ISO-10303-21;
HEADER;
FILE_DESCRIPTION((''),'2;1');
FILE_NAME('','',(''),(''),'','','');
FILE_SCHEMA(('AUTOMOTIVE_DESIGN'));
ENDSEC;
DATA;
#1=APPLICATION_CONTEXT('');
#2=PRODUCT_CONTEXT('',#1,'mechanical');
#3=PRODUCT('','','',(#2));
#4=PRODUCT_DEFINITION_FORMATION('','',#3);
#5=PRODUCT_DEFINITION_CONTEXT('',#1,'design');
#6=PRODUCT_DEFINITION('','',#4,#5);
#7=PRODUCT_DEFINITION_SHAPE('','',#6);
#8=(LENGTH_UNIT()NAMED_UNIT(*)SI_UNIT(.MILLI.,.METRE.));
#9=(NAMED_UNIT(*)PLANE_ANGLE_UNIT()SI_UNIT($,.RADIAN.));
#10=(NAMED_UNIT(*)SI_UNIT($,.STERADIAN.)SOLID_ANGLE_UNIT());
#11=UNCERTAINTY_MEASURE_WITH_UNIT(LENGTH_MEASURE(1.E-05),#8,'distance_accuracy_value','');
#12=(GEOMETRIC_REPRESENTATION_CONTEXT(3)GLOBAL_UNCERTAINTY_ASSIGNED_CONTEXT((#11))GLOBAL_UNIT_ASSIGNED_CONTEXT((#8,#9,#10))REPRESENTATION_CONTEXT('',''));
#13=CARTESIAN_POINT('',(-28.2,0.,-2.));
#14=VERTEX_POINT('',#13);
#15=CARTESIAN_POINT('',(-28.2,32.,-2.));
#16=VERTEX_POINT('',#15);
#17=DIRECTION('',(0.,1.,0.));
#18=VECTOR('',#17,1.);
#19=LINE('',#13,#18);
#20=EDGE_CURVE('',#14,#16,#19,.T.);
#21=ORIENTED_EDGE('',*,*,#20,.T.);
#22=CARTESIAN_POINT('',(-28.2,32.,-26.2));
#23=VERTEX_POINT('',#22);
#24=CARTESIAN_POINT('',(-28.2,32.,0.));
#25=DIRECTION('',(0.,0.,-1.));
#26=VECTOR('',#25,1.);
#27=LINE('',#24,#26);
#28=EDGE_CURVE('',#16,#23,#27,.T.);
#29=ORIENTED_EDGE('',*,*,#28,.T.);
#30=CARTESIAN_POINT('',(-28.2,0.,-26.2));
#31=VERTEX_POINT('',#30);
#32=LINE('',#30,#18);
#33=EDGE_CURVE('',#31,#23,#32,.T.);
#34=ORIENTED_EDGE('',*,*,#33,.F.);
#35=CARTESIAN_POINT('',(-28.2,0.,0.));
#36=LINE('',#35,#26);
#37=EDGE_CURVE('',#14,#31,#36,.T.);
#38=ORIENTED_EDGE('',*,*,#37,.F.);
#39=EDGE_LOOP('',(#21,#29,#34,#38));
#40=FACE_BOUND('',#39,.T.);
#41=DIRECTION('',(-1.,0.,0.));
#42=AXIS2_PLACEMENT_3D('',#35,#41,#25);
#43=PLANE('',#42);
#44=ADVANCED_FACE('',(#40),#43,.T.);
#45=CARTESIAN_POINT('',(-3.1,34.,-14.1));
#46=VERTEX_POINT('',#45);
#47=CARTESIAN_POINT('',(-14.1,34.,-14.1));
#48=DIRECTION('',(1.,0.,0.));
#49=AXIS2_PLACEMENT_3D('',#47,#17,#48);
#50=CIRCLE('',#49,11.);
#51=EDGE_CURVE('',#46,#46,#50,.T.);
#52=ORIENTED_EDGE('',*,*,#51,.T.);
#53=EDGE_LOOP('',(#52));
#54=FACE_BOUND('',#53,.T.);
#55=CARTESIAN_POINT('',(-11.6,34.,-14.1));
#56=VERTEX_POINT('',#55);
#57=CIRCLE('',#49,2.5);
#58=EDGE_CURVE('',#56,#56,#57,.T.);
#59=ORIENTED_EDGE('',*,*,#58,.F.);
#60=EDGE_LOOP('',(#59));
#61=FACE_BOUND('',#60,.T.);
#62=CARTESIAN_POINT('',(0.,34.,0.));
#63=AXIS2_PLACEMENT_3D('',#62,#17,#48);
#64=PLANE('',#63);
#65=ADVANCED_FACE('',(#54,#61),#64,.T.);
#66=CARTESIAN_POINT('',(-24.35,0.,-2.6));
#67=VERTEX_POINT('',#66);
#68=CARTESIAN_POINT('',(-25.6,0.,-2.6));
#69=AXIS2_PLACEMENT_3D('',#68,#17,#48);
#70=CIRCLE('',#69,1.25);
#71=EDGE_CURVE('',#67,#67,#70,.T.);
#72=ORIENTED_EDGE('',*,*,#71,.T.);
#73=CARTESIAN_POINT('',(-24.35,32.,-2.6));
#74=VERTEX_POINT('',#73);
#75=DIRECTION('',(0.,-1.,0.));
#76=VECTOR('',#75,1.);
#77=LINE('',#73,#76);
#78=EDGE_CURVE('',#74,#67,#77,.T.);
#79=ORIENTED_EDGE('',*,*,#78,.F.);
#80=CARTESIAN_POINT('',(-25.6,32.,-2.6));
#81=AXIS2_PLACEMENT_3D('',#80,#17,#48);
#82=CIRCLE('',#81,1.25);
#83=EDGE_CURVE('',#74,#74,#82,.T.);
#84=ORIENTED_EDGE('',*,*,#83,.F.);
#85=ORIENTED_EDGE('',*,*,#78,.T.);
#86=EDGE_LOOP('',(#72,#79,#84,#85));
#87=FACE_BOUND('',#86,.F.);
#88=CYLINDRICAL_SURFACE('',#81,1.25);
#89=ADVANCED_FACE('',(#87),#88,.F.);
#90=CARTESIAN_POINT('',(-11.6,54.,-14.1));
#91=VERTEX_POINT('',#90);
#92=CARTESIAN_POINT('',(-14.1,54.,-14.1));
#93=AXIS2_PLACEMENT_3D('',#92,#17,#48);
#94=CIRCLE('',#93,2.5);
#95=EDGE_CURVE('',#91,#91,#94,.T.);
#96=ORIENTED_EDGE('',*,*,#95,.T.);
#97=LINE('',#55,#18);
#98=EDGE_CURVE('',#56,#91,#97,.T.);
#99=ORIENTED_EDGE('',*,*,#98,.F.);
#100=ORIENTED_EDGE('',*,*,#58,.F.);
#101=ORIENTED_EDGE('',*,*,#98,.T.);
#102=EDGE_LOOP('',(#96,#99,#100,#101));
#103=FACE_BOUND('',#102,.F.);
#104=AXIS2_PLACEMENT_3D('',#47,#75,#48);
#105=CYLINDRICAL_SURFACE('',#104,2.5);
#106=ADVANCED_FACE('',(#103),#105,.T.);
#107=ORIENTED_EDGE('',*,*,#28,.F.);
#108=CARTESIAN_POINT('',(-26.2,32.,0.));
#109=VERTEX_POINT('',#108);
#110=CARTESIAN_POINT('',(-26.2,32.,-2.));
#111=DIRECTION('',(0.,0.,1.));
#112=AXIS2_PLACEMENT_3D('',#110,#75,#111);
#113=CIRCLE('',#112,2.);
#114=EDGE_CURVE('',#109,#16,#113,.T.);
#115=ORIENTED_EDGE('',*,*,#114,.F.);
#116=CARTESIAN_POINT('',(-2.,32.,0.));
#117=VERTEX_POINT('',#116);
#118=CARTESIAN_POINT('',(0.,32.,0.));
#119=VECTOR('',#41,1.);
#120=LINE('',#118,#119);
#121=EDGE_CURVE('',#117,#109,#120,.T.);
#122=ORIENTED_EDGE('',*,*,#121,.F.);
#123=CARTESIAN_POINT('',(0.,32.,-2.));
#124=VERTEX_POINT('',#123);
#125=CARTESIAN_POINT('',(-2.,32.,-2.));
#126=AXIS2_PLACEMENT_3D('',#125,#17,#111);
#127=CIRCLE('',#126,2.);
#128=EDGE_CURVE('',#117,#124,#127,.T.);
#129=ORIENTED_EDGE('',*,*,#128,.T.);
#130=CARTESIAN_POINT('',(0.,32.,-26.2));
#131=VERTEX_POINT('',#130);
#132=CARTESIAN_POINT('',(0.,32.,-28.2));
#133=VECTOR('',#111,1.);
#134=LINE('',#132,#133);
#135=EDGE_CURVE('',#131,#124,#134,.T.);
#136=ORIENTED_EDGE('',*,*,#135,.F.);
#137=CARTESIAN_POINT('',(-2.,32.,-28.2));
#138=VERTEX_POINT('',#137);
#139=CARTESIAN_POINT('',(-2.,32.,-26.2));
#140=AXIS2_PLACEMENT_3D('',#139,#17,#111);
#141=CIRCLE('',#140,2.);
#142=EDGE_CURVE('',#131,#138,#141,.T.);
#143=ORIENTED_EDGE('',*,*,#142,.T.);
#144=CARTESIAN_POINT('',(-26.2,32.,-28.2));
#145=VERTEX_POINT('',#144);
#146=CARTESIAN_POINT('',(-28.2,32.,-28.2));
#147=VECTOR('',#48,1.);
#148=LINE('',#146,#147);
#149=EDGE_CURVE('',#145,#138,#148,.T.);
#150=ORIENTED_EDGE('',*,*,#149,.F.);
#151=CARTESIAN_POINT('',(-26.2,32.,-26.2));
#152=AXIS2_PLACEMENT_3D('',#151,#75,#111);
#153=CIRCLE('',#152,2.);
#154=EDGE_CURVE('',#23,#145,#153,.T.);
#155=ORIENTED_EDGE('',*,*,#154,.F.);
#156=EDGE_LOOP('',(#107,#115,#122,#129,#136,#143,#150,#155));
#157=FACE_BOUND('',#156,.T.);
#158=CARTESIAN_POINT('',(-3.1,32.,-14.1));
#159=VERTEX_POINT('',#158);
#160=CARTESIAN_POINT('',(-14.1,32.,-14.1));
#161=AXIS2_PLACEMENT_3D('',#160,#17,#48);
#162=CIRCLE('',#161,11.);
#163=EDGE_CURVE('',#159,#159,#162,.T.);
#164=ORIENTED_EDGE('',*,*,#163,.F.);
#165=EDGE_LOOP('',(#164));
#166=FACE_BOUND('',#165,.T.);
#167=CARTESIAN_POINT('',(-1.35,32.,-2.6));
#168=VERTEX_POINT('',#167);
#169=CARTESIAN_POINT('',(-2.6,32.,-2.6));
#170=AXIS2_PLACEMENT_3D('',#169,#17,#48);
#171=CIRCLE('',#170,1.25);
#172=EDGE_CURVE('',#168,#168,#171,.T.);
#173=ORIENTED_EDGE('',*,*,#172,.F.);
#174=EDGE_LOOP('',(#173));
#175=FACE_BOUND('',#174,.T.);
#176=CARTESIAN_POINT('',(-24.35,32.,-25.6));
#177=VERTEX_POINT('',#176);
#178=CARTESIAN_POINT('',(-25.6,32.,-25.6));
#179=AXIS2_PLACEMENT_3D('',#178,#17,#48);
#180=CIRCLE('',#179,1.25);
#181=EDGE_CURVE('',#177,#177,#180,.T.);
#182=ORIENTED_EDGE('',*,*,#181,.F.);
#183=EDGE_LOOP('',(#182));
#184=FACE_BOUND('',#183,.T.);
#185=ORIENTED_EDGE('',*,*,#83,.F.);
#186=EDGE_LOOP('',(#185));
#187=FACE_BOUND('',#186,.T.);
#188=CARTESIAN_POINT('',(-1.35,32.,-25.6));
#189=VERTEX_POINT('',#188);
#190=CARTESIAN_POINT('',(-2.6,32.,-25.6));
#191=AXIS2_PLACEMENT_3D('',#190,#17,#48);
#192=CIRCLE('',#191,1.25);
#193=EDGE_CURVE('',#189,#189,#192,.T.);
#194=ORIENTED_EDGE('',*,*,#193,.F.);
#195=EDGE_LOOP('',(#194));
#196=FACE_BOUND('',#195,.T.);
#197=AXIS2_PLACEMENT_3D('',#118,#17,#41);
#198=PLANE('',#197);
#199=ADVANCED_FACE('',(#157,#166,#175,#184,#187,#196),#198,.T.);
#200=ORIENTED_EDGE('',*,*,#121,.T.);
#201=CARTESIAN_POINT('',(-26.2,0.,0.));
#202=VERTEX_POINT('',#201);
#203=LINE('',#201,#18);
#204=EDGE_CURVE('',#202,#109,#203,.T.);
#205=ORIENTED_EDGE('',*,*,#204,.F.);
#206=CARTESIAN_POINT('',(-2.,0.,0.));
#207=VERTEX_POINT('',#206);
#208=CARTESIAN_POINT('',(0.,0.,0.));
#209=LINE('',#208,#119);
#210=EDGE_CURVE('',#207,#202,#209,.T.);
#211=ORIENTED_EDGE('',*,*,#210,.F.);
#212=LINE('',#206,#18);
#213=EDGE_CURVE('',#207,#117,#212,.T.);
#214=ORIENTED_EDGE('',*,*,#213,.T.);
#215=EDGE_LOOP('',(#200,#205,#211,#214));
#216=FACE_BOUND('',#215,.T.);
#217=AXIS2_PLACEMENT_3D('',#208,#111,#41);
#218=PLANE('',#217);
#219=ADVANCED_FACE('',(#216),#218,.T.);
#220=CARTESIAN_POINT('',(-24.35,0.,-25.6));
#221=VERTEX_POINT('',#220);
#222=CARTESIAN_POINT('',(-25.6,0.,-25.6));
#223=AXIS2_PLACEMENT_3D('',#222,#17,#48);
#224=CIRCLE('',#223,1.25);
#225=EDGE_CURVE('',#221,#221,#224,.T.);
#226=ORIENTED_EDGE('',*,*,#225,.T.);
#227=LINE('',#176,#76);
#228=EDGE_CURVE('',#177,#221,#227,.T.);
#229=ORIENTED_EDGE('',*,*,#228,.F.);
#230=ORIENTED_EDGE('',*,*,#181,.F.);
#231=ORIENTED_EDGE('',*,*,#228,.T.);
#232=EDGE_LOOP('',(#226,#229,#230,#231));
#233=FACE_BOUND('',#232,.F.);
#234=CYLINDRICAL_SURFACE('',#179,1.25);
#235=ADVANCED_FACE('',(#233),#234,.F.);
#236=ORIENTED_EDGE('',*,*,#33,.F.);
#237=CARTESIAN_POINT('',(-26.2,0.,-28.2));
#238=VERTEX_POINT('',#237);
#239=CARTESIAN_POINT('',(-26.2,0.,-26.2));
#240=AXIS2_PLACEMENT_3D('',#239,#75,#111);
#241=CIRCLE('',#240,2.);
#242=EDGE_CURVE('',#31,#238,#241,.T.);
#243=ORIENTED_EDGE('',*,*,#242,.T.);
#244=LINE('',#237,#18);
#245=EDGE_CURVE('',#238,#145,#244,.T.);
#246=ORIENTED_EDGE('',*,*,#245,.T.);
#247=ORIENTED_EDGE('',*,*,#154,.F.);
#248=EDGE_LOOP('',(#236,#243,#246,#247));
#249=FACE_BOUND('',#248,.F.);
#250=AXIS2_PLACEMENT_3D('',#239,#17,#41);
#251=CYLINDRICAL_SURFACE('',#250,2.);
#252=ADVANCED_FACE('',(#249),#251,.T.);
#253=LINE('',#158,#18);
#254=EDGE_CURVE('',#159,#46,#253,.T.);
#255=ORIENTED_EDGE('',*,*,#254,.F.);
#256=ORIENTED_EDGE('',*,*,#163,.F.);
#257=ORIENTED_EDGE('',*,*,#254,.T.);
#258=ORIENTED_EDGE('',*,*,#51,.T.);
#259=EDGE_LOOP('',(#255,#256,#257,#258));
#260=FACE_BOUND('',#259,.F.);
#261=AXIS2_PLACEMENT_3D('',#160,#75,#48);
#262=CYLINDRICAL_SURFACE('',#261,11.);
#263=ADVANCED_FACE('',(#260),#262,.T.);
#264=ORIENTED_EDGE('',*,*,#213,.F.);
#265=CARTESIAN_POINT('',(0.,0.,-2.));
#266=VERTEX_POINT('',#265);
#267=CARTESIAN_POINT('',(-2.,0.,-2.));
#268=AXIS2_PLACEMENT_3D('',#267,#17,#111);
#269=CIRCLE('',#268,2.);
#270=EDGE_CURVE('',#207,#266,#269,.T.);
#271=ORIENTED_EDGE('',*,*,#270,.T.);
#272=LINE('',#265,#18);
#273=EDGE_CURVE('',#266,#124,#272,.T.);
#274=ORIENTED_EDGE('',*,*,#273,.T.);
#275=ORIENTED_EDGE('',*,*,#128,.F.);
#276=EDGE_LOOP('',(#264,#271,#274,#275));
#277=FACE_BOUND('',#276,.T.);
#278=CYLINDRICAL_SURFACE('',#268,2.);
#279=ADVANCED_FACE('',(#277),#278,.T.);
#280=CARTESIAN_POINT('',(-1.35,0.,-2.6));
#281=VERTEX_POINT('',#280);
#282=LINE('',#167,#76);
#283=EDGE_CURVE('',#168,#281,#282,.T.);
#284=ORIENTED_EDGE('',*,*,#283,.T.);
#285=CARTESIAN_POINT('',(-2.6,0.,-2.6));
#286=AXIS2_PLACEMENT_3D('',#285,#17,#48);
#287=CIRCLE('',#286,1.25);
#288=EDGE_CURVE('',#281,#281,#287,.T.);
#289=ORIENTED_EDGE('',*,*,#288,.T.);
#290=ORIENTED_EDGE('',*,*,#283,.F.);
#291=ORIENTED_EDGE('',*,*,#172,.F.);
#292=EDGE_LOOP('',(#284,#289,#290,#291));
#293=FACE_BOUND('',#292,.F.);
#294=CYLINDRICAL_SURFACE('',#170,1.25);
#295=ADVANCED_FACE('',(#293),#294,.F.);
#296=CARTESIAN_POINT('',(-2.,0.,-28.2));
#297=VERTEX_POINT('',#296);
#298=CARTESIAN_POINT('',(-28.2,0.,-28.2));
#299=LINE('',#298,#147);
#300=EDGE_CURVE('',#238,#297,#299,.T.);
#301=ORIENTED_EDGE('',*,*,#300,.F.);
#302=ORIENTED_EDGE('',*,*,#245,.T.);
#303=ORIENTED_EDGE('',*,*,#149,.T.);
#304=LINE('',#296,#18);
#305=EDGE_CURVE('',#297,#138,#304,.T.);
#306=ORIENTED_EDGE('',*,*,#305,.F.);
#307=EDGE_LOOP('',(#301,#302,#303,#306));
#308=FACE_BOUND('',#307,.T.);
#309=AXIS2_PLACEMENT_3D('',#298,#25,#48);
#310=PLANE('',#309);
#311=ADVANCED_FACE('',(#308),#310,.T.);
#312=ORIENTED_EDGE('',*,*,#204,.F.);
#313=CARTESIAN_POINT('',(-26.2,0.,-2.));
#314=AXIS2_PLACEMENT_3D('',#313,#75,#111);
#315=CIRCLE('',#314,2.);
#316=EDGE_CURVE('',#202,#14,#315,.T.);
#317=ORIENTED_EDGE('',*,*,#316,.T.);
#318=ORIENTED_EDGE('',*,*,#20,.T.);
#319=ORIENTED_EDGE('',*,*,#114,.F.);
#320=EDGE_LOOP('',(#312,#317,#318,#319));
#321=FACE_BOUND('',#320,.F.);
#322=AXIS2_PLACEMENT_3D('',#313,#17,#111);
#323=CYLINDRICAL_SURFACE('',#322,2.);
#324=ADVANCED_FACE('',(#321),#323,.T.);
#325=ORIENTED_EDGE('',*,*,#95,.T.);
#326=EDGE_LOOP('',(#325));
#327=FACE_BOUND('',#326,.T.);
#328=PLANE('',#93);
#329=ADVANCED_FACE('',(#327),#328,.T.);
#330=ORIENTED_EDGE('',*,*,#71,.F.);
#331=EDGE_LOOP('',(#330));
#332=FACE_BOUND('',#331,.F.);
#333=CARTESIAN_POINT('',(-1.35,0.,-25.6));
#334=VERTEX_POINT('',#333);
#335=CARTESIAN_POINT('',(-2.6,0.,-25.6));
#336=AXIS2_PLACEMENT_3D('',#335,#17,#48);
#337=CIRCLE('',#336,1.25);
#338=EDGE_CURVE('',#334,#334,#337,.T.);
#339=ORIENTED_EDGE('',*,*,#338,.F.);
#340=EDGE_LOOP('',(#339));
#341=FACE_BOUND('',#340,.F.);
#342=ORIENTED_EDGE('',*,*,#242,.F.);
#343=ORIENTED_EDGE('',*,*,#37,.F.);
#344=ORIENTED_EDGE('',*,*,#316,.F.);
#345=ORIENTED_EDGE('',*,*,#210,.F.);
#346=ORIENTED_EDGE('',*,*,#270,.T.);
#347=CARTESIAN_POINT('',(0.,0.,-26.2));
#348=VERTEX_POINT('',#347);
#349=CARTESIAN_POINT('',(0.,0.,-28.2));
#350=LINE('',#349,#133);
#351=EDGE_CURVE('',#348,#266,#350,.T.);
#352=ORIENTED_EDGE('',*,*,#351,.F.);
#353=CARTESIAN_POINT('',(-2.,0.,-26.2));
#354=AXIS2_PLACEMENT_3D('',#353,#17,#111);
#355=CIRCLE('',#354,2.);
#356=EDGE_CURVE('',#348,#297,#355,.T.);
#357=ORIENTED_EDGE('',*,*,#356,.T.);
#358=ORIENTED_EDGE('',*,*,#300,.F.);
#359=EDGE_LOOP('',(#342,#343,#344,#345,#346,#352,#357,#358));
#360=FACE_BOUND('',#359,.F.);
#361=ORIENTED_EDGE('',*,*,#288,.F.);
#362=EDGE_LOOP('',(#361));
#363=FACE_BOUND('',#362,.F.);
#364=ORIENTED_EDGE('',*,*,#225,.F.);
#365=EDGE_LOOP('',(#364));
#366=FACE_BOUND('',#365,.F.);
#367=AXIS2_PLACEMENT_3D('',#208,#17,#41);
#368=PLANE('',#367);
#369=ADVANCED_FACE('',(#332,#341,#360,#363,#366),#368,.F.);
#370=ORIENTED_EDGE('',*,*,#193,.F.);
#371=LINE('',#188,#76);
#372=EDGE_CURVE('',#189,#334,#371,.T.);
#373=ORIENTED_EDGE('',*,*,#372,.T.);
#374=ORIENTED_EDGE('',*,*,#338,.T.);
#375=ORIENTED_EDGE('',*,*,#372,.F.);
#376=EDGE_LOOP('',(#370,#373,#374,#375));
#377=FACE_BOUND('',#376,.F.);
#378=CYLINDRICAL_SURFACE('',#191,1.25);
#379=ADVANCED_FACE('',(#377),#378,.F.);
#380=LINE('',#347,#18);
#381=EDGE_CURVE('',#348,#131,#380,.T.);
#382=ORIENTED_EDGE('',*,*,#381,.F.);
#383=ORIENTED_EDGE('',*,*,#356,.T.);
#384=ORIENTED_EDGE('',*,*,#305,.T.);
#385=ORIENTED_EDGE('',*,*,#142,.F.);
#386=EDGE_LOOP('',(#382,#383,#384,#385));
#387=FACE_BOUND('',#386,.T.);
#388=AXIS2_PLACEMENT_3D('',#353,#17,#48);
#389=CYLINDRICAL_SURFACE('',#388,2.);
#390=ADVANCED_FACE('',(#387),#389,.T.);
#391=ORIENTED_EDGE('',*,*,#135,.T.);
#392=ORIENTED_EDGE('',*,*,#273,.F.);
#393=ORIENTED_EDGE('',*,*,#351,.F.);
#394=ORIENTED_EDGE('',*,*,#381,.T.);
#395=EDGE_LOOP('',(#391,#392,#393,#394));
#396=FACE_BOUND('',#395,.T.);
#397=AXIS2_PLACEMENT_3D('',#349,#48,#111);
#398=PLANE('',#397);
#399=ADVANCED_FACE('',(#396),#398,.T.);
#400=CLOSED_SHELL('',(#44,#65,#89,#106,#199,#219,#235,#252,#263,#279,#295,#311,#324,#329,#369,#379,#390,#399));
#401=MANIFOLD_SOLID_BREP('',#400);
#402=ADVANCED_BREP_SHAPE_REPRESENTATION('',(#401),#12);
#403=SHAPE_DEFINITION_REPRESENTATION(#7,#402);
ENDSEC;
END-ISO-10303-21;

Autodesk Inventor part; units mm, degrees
ref_plane "YZ Plane" through (0, 0, 0) normal (1, 0, 0) x (0, 1, 0)
ref_plane "XZ Plane" through (0, 0, 0) normal (0, 1, 0) x (-1, 0, 0)
ref_plane "XY Plane" through (0, 0, 0) normal (0, 0, 1) x (1, 0, 0)
sketch "Sketch1" plane through (0, 0, 0) normal (0, 1, 0) x (-1, 0, 0)
  point P0 (0, 0)
sketch "Sketch2" plane through (0, 0, 0) normal (0, 1, 0) x (-1, 0, 0)
  line L0 (0, 0) -> (28.2, 0)
  line L1 (28.2, 0) -> (28.2, -28.2)
  line L2 (28.2, -28.2) -> (0, -28.2)
  line L3 (0, -28.2) -> (0, 0)
  dimension "d0" = 28.2
  dimension "d1" = 28.2
extrude "Extrusion1" add sketch "Sketch2" along normal blind 32
sketch "Sketch3" plane through (0, 32, 0) normal (0, 1, 0) x (1, 0, 0)
  circle A0 centre (-14.1, 14.1) radius 11
  point P0 (0, 0)
  dimension "d4" = 22
extrude "Extrusion2" add sketch "Sketch3" along normal blind 2
sketch "Sketch4" plane through (-14.1, 34, -14.1) normal (0, 1, 0) x (1, 0, 0)
  circle A0 centre (0, 0) radius 2.5
  point P0 (14.1, -14.1)
  dimension "d7" = 5
extrude "Extrusion3" add sketch "Sketch4" along normal blind 20
sketch "Sketch5" plane through (0, 32, 0) normal (0, 1, 0) x (1, 0, 0)
  circle A0 centre (-25.6, 2.6) radius 1.25
  line L0 (-28.2, 28.2) -> (-28.2, 0) projected
  line L1 (-28.2, 0) -> (0, 0) projected
  circle A1 centre (-25.6, 25.6) radius 1.25
  circle A2 centre (-2.6, 2.6) radius 1.25
  circle A3 centre (-2.6, 25.6) radius 1.25
  dimension "d10" = 2.5
  dimension "d11" = 2.6
  dimension "d12" = 2.6
  dimension "d13" = 2.5
  dimension "d14" = 23
  dimension "d15" = 2.5
  dimension "d16" = 23
  dimension "d17" = 2.5
extrude "Extrusion4" cut sketch "Sketch5" against normal through all
fillet "Fillet1" radius 2 4 edges at (0, 16, 0) (0, 16, -28.2) (-28.2, 16, -28.2) (-28.2, 16, 0)
properties part number "NEMA11"
